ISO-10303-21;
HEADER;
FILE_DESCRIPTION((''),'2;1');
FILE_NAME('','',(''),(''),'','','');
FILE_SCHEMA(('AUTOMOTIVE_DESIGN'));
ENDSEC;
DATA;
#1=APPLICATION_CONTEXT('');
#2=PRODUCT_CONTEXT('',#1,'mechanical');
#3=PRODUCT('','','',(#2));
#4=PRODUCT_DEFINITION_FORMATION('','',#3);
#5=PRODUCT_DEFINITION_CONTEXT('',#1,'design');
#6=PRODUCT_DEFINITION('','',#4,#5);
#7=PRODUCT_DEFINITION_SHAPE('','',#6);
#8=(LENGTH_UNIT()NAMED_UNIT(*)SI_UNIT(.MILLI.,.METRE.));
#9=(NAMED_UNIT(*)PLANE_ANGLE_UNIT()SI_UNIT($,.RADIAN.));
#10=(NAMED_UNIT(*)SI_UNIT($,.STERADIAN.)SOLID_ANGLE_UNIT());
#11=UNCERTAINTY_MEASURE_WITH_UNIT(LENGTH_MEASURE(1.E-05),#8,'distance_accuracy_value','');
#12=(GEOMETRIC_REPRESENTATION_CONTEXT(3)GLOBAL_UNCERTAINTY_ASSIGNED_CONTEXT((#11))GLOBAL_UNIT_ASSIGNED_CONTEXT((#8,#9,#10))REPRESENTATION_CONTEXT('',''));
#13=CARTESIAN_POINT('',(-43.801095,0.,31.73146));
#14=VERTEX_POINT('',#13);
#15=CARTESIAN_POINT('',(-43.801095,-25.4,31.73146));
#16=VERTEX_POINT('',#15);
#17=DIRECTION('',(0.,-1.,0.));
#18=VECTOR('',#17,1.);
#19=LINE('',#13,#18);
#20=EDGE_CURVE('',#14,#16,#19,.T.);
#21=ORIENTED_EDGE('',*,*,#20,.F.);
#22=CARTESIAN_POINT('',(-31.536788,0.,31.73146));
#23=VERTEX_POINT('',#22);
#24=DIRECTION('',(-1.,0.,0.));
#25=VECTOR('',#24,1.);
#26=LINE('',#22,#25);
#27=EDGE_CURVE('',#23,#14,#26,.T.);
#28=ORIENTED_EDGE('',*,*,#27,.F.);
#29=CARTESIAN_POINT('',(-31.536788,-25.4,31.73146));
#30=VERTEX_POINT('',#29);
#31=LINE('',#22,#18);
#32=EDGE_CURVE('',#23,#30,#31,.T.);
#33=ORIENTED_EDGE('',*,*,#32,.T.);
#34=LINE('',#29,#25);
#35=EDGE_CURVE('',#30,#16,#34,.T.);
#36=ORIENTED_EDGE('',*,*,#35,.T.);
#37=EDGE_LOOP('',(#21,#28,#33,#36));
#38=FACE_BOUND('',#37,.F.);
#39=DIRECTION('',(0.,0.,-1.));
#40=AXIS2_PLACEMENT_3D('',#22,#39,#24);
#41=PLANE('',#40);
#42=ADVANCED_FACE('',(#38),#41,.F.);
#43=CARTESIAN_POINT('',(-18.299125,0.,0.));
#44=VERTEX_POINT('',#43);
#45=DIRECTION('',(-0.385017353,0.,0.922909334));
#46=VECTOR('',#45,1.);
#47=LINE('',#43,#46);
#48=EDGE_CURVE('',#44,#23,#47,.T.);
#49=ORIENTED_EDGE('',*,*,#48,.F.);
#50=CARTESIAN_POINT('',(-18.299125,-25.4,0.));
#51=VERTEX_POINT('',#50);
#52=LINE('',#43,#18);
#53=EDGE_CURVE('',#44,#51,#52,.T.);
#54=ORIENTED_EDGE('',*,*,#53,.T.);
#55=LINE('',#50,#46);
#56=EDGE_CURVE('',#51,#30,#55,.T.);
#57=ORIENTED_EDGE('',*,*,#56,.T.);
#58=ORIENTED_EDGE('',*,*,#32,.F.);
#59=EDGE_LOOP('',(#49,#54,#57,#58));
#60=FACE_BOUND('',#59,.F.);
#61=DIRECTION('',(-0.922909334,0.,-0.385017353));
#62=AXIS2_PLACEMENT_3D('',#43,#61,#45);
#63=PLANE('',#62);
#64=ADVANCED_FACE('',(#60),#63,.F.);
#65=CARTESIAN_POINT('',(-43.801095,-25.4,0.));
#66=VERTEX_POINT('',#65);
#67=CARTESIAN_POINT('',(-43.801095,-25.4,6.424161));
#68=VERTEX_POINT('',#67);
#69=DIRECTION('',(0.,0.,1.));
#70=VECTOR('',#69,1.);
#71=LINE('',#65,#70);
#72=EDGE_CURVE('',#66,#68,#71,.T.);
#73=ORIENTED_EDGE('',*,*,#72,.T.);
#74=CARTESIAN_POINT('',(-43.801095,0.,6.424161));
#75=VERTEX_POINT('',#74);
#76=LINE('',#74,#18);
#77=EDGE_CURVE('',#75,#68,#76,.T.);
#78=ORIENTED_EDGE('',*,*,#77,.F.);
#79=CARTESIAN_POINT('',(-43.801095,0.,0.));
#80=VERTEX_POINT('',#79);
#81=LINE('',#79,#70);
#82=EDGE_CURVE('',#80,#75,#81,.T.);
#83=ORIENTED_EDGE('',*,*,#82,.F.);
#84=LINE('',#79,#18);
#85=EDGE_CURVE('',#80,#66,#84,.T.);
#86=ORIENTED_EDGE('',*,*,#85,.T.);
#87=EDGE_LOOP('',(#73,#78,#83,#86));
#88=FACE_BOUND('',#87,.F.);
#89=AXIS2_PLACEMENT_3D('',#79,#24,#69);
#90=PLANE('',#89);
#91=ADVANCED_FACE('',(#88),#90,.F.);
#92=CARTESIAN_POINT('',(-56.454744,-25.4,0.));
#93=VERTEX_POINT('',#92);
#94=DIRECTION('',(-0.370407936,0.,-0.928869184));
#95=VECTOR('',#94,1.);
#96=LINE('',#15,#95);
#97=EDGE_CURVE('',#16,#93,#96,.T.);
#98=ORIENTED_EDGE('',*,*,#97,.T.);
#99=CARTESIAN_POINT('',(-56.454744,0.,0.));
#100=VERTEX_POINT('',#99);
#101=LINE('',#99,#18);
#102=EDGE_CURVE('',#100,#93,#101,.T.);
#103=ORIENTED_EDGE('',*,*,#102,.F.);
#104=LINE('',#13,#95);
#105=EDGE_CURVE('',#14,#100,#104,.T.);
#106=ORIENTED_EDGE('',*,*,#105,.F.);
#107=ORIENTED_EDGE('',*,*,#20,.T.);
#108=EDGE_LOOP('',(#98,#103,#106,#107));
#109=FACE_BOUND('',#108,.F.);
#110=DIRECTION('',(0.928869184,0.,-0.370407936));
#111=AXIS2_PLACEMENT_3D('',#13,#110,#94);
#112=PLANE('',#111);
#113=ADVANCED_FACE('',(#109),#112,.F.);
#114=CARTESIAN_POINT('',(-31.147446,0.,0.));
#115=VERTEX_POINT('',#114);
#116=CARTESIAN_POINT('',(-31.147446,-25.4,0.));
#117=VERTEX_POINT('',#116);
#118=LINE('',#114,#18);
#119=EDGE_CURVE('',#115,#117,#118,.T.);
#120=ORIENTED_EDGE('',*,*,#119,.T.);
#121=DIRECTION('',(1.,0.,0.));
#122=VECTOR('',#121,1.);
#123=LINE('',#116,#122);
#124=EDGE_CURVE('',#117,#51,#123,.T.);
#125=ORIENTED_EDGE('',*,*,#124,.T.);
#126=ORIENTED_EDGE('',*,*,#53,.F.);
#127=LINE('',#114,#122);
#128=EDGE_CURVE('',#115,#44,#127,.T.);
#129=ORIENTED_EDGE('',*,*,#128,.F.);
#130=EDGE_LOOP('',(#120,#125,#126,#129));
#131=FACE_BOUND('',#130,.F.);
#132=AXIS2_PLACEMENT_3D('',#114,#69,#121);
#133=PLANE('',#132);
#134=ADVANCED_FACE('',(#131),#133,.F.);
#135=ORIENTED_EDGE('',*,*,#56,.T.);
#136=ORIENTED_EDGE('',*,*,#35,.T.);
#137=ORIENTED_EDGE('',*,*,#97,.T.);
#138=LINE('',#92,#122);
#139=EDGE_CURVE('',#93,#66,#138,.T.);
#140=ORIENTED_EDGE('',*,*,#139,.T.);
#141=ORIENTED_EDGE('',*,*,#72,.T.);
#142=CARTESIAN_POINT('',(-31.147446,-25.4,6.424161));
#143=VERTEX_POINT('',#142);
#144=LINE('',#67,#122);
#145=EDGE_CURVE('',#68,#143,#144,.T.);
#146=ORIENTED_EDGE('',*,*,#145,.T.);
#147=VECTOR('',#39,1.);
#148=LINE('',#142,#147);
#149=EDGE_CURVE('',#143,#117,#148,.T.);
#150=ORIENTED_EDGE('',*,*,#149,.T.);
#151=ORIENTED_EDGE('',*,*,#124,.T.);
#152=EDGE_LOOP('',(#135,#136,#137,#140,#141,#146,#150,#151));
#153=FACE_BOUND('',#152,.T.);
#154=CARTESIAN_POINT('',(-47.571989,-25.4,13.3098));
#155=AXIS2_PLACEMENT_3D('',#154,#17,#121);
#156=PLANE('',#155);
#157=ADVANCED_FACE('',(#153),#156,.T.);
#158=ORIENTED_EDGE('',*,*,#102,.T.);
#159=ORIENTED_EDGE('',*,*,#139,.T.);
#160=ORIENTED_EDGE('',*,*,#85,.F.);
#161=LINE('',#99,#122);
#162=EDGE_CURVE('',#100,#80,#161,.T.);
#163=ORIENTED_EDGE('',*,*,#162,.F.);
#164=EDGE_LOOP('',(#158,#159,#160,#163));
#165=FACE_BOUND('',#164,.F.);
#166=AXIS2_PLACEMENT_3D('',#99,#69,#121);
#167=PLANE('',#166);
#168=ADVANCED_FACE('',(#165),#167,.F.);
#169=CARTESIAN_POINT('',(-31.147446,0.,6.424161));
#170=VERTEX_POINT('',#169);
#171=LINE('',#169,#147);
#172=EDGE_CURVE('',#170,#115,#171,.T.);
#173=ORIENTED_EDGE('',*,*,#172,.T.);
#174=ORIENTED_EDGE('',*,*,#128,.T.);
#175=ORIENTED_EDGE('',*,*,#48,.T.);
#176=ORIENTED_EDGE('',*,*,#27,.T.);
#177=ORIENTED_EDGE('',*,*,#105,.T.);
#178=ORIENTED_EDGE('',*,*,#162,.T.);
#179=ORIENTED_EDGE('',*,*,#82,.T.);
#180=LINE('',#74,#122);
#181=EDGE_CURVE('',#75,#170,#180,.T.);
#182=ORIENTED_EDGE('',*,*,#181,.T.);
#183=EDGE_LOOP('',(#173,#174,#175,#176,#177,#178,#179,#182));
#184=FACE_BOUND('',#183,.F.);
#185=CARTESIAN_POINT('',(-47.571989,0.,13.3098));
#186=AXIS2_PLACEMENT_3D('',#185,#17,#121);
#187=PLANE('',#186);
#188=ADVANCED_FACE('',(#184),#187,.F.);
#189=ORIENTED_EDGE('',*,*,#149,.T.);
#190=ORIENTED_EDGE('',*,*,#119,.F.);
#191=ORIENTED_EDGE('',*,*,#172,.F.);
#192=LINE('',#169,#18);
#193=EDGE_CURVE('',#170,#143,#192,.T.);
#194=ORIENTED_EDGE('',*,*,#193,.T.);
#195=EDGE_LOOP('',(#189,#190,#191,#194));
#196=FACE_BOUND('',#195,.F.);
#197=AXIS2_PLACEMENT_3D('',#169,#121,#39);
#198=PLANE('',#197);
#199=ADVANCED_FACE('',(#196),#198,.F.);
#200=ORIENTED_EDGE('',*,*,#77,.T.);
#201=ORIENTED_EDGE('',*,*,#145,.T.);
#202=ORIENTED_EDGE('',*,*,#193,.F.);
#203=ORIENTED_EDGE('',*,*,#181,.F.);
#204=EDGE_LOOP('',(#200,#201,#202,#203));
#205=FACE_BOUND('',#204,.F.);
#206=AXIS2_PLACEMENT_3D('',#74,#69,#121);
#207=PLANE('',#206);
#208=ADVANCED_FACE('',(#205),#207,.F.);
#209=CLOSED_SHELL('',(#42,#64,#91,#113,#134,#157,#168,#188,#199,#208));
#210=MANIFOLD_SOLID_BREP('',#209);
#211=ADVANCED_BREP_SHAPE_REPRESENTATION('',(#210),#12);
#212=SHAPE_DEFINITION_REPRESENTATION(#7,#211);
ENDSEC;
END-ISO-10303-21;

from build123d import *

# Parameters (mm, degrees)
F1_DEPTH = 25.4


with BuildPart() as f1:
    # F0 (on Front) → F1 (new body)
    with BuildSketch(Plane.XZ):
        Polygon((-56.454744, 0), (-43.801095, 0), (-43.801095, 6.424161), (-43.801095, 31.73146), align=None)
        Polygon((-43.801095, 31.73146), (-43.801095, 6.424161), (-31.147446, 6.424161), (-31.536788, 31.73146), align=None)
        Polygon((-31.536788, 31.73146), (-31.147446, 6.424161), (-31.147446, 0), (-18.299125, 0), align=None)
    extrude(amount=F1_DEPTH)


solid = f1.part
